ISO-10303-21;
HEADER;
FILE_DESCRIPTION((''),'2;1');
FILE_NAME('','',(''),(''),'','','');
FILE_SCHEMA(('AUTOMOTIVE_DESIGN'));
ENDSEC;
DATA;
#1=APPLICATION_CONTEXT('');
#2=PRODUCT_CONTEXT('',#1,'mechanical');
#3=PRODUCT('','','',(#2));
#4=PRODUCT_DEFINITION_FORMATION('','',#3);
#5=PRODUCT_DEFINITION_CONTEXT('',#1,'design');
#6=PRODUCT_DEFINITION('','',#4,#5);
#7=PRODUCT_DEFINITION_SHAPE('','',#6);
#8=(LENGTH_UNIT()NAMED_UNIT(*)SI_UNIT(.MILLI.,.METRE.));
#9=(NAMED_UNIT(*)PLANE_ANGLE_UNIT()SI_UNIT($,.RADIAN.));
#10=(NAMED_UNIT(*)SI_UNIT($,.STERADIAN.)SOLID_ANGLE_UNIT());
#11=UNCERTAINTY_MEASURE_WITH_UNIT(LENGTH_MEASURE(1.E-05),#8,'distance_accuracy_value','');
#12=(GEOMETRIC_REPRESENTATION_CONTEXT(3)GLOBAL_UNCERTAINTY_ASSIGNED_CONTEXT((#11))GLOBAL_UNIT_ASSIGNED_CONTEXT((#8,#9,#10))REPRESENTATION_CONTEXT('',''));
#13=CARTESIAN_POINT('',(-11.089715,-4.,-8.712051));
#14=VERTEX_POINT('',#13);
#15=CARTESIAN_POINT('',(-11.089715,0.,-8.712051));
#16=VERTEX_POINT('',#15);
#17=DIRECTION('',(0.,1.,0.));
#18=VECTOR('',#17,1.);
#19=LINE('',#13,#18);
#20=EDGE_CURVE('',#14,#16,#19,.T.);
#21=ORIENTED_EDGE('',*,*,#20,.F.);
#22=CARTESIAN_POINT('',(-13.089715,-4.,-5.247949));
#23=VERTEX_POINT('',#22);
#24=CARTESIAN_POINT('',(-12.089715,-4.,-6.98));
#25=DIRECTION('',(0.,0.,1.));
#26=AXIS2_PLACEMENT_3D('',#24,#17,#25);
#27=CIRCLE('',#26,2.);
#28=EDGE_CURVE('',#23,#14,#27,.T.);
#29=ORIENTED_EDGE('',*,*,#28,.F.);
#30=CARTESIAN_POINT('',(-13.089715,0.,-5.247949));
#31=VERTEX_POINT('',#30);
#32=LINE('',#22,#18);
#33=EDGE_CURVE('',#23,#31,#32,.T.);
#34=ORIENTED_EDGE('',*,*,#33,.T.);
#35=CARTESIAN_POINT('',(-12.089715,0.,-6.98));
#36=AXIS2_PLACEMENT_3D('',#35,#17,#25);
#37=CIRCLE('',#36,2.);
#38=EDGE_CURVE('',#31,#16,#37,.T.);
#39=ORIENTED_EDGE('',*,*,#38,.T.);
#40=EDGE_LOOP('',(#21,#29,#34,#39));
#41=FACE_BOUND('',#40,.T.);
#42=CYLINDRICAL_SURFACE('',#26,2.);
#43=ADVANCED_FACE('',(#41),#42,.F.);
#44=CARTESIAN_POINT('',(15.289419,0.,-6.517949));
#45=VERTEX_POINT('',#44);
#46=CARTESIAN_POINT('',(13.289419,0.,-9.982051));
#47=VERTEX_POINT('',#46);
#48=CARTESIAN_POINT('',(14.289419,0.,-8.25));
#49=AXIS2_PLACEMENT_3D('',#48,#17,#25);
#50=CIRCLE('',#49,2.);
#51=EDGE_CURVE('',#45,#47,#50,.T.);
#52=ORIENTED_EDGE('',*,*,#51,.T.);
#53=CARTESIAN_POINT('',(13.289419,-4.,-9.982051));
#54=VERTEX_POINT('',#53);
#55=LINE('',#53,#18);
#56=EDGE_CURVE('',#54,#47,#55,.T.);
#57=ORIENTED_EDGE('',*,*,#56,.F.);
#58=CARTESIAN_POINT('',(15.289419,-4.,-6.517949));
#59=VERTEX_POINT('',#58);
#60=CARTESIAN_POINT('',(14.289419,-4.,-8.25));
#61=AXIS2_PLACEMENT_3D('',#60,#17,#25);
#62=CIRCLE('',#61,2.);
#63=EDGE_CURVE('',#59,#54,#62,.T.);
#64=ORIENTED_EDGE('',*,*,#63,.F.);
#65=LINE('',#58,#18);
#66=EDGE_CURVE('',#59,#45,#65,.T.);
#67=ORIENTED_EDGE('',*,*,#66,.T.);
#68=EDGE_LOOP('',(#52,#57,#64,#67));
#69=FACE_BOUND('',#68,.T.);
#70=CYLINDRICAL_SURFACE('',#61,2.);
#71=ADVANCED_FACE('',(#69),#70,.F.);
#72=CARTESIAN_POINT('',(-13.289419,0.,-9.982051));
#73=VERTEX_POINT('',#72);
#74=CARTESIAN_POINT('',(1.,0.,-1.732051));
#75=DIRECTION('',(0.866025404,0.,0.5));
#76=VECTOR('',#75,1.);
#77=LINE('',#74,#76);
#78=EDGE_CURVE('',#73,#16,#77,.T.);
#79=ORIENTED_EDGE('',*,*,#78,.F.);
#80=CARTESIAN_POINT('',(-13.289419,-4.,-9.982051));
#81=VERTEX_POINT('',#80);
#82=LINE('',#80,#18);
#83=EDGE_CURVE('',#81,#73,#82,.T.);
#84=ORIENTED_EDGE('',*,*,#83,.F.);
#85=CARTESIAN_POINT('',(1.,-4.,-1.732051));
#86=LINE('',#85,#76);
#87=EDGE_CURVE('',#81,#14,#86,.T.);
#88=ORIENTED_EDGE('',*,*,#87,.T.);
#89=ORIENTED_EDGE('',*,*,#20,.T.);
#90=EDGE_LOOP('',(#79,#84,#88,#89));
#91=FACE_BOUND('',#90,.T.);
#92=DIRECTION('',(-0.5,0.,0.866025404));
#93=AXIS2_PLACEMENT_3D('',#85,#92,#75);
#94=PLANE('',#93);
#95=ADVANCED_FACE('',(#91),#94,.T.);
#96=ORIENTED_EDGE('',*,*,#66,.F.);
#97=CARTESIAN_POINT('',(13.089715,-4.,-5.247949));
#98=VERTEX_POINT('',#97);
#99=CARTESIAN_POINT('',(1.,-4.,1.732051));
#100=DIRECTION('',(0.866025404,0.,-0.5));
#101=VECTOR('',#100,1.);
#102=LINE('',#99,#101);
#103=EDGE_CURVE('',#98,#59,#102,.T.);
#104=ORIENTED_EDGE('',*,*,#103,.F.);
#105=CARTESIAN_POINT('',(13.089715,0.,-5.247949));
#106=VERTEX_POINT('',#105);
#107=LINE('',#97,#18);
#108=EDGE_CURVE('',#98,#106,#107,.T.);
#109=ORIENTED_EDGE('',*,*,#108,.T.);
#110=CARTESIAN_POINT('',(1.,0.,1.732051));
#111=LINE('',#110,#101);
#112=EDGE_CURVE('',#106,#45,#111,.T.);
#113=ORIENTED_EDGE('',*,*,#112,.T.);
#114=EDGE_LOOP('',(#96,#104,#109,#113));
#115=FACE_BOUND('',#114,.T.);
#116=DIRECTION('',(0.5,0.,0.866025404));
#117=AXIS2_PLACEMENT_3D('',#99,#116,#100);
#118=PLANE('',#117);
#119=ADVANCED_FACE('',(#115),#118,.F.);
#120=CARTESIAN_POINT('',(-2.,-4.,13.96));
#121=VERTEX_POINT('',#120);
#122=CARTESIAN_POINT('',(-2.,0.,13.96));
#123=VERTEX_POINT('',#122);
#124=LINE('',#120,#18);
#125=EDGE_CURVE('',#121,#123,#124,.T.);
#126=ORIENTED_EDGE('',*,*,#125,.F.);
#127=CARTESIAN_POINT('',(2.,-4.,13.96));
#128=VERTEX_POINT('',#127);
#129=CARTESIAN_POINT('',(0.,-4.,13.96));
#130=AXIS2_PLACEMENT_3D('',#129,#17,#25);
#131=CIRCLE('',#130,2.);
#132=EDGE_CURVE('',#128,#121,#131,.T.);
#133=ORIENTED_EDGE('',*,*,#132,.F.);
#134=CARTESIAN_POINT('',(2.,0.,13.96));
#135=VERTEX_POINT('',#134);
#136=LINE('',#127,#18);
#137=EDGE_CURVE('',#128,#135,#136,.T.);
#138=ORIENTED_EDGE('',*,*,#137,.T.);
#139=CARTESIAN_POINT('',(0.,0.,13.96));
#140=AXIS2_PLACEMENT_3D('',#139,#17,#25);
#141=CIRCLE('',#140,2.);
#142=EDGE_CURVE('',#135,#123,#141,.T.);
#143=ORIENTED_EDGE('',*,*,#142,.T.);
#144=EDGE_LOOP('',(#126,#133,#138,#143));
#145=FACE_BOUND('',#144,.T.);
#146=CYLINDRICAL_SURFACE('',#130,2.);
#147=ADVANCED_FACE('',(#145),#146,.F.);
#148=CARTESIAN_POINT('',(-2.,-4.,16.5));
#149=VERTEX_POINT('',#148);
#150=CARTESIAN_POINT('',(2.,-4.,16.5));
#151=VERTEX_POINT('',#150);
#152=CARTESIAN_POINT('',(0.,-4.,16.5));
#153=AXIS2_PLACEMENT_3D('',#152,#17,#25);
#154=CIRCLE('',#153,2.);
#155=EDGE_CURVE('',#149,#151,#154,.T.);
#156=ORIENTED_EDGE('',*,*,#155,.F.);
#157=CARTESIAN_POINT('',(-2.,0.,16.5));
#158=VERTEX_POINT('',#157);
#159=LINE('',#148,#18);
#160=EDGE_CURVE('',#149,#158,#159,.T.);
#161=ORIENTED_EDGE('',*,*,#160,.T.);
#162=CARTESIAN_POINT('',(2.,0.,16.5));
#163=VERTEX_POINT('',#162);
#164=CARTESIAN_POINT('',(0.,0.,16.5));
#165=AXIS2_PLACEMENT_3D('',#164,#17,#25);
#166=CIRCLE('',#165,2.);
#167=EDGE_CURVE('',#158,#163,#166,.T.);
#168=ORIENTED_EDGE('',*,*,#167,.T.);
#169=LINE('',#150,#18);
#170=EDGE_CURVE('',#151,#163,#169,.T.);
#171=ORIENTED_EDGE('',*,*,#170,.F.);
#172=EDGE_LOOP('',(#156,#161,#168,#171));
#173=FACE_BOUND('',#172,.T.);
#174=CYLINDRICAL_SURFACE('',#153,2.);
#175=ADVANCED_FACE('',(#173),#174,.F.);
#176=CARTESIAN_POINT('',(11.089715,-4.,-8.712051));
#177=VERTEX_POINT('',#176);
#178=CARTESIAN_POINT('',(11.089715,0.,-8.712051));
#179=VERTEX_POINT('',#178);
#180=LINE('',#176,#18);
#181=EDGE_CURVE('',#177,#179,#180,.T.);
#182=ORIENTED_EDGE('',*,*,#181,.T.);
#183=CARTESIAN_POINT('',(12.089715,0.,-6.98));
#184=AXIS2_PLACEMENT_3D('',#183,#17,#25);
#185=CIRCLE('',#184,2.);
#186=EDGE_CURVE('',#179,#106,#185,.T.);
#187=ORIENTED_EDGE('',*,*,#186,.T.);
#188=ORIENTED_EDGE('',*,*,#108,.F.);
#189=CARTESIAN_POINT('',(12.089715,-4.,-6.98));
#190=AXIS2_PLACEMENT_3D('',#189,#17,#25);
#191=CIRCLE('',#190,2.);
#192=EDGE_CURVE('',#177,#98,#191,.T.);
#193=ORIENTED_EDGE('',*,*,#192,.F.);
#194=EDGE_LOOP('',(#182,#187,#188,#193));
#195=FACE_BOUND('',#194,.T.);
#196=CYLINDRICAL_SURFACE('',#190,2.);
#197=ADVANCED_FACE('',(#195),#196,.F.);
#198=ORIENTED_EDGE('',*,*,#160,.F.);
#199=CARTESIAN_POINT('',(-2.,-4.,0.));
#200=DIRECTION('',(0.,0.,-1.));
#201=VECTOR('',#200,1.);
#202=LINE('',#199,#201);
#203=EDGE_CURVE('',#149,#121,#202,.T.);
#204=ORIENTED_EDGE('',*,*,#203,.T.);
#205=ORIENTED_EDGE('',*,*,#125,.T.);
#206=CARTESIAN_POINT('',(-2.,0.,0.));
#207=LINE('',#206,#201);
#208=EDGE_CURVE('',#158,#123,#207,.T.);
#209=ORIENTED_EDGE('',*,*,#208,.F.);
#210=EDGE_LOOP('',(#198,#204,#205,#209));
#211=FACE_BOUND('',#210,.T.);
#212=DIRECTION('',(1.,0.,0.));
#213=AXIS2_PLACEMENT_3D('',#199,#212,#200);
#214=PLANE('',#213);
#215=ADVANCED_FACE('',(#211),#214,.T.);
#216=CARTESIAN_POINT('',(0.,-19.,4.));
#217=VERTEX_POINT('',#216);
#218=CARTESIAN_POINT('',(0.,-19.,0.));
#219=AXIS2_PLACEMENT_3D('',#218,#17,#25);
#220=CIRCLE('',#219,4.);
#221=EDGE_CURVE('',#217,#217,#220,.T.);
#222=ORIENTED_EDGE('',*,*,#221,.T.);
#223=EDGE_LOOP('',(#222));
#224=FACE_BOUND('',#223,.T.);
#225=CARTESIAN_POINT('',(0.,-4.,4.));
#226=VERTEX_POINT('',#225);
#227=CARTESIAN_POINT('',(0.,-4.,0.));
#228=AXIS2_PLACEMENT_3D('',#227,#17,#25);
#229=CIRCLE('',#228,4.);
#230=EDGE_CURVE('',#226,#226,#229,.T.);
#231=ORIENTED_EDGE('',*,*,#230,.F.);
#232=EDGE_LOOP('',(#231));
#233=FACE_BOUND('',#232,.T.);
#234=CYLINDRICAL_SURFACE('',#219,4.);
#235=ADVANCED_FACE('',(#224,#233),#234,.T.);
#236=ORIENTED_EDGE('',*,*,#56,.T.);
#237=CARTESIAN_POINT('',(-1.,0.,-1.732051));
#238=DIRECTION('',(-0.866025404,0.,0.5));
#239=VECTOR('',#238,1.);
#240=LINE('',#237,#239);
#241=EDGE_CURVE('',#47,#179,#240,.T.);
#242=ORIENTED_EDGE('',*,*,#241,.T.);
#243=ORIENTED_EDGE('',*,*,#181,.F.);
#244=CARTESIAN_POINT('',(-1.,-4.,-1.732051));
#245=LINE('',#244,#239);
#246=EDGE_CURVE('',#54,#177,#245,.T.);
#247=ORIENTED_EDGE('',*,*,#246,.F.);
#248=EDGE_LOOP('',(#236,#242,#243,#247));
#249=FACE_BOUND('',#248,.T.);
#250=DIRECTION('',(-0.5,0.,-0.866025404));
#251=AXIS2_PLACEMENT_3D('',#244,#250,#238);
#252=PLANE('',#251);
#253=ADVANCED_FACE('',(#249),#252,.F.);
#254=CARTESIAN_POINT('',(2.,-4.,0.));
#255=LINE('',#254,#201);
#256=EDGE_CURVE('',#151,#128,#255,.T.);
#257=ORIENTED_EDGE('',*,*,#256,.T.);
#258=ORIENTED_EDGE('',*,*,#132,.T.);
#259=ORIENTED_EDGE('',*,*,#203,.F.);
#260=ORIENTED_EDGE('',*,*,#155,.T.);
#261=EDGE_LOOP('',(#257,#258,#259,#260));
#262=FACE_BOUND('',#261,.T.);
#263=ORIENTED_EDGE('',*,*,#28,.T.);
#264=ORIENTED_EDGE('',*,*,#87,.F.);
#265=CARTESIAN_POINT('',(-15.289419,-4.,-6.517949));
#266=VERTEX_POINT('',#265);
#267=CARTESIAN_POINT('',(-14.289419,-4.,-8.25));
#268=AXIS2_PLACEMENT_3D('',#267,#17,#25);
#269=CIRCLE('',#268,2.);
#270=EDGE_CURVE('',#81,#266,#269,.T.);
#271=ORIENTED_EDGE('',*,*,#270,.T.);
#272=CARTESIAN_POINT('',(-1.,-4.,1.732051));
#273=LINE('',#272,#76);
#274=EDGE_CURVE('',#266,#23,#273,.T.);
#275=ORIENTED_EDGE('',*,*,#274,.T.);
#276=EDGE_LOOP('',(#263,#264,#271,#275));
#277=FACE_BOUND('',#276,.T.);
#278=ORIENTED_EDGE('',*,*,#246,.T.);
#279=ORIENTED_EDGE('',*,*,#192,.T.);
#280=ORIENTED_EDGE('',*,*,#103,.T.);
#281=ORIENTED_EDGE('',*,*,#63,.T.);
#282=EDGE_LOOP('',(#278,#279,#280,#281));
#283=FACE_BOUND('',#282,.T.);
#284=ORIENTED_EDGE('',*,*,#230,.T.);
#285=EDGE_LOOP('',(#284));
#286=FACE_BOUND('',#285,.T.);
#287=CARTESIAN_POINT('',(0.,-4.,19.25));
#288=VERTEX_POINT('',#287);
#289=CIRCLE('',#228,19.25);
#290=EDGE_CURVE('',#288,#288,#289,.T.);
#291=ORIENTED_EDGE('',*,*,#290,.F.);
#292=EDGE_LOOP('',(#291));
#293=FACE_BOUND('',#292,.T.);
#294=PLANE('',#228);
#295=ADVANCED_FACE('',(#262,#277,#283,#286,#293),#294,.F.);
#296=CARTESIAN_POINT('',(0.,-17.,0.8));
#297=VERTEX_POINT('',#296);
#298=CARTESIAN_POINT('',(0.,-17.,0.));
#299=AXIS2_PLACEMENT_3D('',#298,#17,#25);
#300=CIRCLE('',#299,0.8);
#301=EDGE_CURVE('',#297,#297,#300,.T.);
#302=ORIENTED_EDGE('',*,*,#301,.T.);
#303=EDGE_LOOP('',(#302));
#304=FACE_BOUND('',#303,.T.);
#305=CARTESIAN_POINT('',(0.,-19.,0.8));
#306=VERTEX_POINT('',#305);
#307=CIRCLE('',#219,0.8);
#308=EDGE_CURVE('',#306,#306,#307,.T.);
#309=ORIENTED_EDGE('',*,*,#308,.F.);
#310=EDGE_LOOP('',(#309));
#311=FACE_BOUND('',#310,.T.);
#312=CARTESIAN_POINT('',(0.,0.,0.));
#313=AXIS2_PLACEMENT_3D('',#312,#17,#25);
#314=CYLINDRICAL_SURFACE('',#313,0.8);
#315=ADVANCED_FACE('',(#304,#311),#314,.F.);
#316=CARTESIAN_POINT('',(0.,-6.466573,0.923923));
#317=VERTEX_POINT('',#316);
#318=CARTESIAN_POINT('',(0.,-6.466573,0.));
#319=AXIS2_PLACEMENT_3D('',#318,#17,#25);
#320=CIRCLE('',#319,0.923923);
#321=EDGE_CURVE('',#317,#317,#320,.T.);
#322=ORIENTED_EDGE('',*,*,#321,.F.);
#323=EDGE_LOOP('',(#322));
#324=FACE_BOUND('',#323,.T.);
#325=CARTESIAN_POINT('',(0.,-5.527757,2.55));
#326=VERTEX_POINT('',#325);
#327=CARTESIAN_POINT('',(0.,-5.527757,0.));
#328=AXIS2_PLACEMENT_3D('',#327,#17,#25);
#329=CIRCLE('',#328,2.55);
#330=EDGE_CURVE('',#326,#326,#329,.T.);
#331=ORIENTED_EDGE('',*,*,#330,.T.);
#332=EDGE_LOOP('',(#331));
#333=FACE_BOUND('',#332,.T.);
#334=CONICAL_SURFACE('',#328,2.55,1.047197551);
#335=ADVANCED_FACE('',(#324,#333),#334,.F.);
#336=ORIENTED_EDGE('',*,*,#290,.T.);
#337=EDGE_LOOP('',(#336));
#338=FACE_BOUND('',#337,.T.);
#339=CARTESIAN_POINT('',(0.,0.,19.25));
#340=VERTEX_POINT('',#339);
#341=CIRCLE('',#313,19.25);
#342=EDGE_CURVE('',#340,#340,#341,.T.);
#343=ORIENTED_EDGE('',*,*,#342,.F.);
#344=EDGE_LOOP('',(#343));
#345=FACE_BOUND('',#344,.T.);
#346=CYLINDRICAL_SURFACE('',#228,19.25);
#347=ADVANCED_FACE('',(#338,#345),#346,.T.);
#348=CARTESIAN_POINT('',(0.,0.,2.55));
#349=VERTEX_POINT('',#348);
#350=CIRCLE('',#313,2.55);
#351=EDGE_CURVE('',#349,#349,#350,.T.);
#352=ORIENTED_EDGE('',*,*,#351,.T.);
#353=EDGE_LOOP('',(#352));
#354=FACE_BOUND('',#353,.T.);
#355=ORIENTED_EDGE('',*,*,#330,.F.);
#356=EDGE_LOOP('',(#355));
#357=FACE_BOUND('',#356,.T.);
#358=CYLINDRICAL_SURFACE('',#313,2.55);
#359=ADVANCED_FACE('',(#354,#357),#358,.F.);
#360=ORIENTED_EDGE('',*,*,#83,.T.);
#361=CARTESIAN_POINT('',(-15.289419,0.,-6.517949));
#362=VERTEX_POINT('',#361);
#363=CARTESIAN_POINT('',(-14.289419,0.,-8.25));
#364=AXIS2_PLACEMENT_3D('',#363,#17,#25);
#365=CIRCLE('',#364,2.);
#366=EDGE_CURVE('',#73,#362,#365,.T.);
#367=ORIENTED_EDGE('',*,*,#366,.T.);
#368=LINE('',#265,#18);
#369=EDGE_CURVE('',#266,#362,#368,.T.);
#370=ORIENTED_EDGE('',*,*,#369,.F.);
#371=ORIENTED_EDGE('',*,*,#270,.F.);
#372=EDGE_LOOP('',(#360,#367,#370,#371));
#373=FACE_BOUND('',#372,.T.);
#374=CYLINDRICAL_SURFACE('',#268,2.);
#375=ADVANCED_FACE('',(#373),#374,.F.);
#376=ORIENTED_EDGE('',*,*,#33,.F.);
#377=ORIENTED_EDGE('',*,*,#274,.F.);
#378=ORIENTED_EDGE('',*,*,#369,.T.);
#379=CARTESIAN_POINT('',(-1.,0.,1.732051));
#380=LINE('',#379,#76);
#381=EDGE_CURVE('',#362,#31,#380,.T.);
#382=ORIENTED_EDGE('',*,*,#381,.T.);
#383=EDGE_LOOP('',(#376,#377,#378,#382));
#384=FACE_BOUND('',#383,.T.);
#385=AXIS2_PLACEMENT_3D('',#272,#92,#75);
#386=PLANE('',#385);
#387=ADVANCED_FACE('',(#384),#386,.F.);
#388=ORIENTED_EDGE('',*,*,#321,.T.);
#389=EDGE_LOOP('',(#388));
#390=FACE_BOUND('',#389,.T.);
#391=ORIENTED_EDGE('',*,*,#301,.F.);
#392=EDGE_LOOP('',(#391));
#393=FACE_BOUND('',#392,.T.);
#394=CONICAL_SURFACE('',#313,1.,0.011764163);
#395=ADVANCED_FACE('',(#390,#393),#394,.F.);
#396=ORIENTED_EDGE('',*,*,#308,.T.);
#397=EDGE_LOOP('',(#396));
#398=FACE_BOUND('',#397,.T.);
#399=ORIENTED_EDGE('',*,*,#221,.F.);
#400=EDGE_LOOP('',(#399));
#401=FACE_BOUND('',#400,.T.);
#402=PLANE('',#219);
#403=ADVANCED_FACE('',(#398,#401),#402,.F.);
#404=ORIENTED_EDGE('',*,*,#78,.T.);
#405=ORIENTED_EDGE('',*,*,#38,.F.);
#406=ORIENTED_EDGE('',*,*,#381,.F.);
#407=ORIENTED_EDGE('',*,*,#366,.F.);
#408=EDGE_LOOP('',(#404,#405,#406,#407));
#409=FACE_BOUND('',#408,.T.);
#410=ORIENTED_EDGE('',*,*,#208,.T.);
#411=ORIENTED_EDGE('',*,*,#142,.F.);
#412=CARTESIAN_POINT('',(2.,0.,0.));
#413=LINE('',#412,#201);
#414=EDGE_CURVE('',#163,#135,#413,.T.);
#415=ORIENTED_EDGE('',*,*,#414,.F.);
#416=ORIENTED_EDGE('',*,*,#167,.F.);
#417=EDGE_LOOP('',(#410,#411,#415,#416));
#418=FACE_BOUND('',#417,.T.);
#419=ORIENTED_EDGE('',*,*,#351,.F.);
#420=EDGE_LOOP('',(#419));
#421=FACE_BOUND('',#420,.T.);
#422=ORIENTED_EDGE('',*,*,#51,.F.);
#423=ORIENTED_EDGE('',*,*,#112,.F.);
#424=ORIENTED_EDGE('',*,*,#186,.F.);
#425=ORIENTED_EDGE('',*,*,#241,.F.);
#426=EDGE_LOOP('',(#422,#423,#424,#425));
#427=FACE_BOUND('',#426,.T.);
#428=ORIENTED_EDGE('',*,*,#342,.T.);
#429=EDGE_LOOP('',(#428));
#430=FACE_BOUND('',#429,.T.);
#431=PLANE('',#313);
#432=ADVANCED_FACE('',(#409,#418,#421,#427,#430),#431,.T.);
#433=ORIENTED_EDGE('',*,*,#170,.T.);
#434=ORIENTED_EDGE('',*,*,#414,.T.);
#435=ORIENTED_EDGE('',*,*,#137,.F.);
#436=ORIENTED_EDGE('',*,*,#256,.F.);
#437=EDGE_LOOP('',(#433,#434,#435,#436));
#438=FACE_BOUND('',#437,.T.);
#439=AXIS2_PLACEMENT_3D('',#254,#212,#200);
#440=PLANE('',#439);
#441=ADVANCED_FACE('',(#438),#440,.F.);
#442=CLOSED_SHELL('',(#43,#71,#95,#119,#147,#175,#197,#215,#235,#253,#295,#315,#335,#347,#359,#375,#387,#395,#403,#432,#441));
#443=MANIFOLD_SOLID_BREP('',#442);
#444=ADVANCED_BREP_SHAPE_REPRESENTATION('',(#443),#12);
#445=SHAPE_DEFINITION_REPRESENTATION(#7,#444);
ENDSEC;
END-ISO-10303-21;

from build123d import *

# Parameters (mm, degrees)
SKETCH1_R           = 19.25
SKETCH1_R_2         = 4
BOSS_EXTRUDE1_DEPTH = 4
SKETCH1_4_R         = 4
BOSS_EXTRUDE2_DEPTH = 19


with BuildPart() as part:
    # Sketch1 → Boss-Extrude1 (new body)
    with BuildSketch(Plane(origin=(0, 0, 0), x_dir=(1, 0, 0), z_dir=(0, 1, 0))):
        Circle(SKETCH1_R)
        with BuildLine():
            Line((-13.089714637, 5.247949192), (-15.289419162, 6.517949192))
            ThreePointArc((-15.289419162, 6.517949192), (-16.02146997, 9.25), (-13.289419162, 9.982050808))
            Line((-13.289419162, 9.982050808), (-11.089714637, 8.712050808))
            ThreePointArc((-11.089714637, 8.712050808), (-10.357663829, 5.98), (-13.089714637, 5.247949192))
        make_face(mode=Mode.SUBTRACT)
        with BuildLine():
            Line((11.089714637, 8.712050808), (13.289419162, 9.982050808))
            ThreePointArc((13.289419162, 9.982050808), (16.02146997, 9.25), (15.289419162, 6.517949192))
            Line((15.289419162, 6.517949192), (13.089714637, 5.247949192))
            ThreePointArc((13.089714637, 5.247949192), (10.357663829, 5.98), (11.089714637, 8.712050808))
        make_face(mode=Mode.SUBTRACT)
        with BuildLine():
            Line((2, -13.96), (2, -16.5))
            ThreePointArc((2, -16.5), (0, -18.5), (-2, -16.5))
            Line((-2, -16.5), (-2, -13.96))
            ThreePointArc((-2, -13.96), (0, -11.96), (2, -13.96))
        make_face(mode=Mode.SUBTRACT)
        Circle(SKETCH1_R_2, mode=Mode.SUBTRACT)
    extrude(amount=-BOSS_EXTRUDE1_DEPTH)

    # Sketch1<4> → Boss-Extrude2 (add)
    with BuildSketch(Plane(origin=(0, 0, 0), x_dir=(1, 0, 0), z_dir=(0, 1, 0))):
        Circle(SKETCH1_4_R)
    extrude(amount=-BOSS_EXTRUDE2_DEPTH)

    # Sketch2 → Cut-Revolve4 (revolve, cut)
    with BuildSketch(Plane(origin=(0, 0, 0), x_dir=(0, 0, -1), z_dir=(1, 0, 0))):
        Polygon((0, -19), (0.8, -19), (0.8, -17), (1, 0), (0, 0), align=None)
    revolve(axis=Axis((0, 0, 0), (0, -1, 0)), mode=Mode.SUBTRACT)

    # Sketch5 → Cut-Revolve8 (revolve, cut)
    with BuildSketch(Plane.XY):
        Polygon((0, -7), (-2.55, -5.527756814), (-2.55, 0), (0, 0), align=None)
    revolve(axis=Axis((0, 0, 0), (0, -1, 0)), mode=Mode.SUBTRACT)


solid = part.part
